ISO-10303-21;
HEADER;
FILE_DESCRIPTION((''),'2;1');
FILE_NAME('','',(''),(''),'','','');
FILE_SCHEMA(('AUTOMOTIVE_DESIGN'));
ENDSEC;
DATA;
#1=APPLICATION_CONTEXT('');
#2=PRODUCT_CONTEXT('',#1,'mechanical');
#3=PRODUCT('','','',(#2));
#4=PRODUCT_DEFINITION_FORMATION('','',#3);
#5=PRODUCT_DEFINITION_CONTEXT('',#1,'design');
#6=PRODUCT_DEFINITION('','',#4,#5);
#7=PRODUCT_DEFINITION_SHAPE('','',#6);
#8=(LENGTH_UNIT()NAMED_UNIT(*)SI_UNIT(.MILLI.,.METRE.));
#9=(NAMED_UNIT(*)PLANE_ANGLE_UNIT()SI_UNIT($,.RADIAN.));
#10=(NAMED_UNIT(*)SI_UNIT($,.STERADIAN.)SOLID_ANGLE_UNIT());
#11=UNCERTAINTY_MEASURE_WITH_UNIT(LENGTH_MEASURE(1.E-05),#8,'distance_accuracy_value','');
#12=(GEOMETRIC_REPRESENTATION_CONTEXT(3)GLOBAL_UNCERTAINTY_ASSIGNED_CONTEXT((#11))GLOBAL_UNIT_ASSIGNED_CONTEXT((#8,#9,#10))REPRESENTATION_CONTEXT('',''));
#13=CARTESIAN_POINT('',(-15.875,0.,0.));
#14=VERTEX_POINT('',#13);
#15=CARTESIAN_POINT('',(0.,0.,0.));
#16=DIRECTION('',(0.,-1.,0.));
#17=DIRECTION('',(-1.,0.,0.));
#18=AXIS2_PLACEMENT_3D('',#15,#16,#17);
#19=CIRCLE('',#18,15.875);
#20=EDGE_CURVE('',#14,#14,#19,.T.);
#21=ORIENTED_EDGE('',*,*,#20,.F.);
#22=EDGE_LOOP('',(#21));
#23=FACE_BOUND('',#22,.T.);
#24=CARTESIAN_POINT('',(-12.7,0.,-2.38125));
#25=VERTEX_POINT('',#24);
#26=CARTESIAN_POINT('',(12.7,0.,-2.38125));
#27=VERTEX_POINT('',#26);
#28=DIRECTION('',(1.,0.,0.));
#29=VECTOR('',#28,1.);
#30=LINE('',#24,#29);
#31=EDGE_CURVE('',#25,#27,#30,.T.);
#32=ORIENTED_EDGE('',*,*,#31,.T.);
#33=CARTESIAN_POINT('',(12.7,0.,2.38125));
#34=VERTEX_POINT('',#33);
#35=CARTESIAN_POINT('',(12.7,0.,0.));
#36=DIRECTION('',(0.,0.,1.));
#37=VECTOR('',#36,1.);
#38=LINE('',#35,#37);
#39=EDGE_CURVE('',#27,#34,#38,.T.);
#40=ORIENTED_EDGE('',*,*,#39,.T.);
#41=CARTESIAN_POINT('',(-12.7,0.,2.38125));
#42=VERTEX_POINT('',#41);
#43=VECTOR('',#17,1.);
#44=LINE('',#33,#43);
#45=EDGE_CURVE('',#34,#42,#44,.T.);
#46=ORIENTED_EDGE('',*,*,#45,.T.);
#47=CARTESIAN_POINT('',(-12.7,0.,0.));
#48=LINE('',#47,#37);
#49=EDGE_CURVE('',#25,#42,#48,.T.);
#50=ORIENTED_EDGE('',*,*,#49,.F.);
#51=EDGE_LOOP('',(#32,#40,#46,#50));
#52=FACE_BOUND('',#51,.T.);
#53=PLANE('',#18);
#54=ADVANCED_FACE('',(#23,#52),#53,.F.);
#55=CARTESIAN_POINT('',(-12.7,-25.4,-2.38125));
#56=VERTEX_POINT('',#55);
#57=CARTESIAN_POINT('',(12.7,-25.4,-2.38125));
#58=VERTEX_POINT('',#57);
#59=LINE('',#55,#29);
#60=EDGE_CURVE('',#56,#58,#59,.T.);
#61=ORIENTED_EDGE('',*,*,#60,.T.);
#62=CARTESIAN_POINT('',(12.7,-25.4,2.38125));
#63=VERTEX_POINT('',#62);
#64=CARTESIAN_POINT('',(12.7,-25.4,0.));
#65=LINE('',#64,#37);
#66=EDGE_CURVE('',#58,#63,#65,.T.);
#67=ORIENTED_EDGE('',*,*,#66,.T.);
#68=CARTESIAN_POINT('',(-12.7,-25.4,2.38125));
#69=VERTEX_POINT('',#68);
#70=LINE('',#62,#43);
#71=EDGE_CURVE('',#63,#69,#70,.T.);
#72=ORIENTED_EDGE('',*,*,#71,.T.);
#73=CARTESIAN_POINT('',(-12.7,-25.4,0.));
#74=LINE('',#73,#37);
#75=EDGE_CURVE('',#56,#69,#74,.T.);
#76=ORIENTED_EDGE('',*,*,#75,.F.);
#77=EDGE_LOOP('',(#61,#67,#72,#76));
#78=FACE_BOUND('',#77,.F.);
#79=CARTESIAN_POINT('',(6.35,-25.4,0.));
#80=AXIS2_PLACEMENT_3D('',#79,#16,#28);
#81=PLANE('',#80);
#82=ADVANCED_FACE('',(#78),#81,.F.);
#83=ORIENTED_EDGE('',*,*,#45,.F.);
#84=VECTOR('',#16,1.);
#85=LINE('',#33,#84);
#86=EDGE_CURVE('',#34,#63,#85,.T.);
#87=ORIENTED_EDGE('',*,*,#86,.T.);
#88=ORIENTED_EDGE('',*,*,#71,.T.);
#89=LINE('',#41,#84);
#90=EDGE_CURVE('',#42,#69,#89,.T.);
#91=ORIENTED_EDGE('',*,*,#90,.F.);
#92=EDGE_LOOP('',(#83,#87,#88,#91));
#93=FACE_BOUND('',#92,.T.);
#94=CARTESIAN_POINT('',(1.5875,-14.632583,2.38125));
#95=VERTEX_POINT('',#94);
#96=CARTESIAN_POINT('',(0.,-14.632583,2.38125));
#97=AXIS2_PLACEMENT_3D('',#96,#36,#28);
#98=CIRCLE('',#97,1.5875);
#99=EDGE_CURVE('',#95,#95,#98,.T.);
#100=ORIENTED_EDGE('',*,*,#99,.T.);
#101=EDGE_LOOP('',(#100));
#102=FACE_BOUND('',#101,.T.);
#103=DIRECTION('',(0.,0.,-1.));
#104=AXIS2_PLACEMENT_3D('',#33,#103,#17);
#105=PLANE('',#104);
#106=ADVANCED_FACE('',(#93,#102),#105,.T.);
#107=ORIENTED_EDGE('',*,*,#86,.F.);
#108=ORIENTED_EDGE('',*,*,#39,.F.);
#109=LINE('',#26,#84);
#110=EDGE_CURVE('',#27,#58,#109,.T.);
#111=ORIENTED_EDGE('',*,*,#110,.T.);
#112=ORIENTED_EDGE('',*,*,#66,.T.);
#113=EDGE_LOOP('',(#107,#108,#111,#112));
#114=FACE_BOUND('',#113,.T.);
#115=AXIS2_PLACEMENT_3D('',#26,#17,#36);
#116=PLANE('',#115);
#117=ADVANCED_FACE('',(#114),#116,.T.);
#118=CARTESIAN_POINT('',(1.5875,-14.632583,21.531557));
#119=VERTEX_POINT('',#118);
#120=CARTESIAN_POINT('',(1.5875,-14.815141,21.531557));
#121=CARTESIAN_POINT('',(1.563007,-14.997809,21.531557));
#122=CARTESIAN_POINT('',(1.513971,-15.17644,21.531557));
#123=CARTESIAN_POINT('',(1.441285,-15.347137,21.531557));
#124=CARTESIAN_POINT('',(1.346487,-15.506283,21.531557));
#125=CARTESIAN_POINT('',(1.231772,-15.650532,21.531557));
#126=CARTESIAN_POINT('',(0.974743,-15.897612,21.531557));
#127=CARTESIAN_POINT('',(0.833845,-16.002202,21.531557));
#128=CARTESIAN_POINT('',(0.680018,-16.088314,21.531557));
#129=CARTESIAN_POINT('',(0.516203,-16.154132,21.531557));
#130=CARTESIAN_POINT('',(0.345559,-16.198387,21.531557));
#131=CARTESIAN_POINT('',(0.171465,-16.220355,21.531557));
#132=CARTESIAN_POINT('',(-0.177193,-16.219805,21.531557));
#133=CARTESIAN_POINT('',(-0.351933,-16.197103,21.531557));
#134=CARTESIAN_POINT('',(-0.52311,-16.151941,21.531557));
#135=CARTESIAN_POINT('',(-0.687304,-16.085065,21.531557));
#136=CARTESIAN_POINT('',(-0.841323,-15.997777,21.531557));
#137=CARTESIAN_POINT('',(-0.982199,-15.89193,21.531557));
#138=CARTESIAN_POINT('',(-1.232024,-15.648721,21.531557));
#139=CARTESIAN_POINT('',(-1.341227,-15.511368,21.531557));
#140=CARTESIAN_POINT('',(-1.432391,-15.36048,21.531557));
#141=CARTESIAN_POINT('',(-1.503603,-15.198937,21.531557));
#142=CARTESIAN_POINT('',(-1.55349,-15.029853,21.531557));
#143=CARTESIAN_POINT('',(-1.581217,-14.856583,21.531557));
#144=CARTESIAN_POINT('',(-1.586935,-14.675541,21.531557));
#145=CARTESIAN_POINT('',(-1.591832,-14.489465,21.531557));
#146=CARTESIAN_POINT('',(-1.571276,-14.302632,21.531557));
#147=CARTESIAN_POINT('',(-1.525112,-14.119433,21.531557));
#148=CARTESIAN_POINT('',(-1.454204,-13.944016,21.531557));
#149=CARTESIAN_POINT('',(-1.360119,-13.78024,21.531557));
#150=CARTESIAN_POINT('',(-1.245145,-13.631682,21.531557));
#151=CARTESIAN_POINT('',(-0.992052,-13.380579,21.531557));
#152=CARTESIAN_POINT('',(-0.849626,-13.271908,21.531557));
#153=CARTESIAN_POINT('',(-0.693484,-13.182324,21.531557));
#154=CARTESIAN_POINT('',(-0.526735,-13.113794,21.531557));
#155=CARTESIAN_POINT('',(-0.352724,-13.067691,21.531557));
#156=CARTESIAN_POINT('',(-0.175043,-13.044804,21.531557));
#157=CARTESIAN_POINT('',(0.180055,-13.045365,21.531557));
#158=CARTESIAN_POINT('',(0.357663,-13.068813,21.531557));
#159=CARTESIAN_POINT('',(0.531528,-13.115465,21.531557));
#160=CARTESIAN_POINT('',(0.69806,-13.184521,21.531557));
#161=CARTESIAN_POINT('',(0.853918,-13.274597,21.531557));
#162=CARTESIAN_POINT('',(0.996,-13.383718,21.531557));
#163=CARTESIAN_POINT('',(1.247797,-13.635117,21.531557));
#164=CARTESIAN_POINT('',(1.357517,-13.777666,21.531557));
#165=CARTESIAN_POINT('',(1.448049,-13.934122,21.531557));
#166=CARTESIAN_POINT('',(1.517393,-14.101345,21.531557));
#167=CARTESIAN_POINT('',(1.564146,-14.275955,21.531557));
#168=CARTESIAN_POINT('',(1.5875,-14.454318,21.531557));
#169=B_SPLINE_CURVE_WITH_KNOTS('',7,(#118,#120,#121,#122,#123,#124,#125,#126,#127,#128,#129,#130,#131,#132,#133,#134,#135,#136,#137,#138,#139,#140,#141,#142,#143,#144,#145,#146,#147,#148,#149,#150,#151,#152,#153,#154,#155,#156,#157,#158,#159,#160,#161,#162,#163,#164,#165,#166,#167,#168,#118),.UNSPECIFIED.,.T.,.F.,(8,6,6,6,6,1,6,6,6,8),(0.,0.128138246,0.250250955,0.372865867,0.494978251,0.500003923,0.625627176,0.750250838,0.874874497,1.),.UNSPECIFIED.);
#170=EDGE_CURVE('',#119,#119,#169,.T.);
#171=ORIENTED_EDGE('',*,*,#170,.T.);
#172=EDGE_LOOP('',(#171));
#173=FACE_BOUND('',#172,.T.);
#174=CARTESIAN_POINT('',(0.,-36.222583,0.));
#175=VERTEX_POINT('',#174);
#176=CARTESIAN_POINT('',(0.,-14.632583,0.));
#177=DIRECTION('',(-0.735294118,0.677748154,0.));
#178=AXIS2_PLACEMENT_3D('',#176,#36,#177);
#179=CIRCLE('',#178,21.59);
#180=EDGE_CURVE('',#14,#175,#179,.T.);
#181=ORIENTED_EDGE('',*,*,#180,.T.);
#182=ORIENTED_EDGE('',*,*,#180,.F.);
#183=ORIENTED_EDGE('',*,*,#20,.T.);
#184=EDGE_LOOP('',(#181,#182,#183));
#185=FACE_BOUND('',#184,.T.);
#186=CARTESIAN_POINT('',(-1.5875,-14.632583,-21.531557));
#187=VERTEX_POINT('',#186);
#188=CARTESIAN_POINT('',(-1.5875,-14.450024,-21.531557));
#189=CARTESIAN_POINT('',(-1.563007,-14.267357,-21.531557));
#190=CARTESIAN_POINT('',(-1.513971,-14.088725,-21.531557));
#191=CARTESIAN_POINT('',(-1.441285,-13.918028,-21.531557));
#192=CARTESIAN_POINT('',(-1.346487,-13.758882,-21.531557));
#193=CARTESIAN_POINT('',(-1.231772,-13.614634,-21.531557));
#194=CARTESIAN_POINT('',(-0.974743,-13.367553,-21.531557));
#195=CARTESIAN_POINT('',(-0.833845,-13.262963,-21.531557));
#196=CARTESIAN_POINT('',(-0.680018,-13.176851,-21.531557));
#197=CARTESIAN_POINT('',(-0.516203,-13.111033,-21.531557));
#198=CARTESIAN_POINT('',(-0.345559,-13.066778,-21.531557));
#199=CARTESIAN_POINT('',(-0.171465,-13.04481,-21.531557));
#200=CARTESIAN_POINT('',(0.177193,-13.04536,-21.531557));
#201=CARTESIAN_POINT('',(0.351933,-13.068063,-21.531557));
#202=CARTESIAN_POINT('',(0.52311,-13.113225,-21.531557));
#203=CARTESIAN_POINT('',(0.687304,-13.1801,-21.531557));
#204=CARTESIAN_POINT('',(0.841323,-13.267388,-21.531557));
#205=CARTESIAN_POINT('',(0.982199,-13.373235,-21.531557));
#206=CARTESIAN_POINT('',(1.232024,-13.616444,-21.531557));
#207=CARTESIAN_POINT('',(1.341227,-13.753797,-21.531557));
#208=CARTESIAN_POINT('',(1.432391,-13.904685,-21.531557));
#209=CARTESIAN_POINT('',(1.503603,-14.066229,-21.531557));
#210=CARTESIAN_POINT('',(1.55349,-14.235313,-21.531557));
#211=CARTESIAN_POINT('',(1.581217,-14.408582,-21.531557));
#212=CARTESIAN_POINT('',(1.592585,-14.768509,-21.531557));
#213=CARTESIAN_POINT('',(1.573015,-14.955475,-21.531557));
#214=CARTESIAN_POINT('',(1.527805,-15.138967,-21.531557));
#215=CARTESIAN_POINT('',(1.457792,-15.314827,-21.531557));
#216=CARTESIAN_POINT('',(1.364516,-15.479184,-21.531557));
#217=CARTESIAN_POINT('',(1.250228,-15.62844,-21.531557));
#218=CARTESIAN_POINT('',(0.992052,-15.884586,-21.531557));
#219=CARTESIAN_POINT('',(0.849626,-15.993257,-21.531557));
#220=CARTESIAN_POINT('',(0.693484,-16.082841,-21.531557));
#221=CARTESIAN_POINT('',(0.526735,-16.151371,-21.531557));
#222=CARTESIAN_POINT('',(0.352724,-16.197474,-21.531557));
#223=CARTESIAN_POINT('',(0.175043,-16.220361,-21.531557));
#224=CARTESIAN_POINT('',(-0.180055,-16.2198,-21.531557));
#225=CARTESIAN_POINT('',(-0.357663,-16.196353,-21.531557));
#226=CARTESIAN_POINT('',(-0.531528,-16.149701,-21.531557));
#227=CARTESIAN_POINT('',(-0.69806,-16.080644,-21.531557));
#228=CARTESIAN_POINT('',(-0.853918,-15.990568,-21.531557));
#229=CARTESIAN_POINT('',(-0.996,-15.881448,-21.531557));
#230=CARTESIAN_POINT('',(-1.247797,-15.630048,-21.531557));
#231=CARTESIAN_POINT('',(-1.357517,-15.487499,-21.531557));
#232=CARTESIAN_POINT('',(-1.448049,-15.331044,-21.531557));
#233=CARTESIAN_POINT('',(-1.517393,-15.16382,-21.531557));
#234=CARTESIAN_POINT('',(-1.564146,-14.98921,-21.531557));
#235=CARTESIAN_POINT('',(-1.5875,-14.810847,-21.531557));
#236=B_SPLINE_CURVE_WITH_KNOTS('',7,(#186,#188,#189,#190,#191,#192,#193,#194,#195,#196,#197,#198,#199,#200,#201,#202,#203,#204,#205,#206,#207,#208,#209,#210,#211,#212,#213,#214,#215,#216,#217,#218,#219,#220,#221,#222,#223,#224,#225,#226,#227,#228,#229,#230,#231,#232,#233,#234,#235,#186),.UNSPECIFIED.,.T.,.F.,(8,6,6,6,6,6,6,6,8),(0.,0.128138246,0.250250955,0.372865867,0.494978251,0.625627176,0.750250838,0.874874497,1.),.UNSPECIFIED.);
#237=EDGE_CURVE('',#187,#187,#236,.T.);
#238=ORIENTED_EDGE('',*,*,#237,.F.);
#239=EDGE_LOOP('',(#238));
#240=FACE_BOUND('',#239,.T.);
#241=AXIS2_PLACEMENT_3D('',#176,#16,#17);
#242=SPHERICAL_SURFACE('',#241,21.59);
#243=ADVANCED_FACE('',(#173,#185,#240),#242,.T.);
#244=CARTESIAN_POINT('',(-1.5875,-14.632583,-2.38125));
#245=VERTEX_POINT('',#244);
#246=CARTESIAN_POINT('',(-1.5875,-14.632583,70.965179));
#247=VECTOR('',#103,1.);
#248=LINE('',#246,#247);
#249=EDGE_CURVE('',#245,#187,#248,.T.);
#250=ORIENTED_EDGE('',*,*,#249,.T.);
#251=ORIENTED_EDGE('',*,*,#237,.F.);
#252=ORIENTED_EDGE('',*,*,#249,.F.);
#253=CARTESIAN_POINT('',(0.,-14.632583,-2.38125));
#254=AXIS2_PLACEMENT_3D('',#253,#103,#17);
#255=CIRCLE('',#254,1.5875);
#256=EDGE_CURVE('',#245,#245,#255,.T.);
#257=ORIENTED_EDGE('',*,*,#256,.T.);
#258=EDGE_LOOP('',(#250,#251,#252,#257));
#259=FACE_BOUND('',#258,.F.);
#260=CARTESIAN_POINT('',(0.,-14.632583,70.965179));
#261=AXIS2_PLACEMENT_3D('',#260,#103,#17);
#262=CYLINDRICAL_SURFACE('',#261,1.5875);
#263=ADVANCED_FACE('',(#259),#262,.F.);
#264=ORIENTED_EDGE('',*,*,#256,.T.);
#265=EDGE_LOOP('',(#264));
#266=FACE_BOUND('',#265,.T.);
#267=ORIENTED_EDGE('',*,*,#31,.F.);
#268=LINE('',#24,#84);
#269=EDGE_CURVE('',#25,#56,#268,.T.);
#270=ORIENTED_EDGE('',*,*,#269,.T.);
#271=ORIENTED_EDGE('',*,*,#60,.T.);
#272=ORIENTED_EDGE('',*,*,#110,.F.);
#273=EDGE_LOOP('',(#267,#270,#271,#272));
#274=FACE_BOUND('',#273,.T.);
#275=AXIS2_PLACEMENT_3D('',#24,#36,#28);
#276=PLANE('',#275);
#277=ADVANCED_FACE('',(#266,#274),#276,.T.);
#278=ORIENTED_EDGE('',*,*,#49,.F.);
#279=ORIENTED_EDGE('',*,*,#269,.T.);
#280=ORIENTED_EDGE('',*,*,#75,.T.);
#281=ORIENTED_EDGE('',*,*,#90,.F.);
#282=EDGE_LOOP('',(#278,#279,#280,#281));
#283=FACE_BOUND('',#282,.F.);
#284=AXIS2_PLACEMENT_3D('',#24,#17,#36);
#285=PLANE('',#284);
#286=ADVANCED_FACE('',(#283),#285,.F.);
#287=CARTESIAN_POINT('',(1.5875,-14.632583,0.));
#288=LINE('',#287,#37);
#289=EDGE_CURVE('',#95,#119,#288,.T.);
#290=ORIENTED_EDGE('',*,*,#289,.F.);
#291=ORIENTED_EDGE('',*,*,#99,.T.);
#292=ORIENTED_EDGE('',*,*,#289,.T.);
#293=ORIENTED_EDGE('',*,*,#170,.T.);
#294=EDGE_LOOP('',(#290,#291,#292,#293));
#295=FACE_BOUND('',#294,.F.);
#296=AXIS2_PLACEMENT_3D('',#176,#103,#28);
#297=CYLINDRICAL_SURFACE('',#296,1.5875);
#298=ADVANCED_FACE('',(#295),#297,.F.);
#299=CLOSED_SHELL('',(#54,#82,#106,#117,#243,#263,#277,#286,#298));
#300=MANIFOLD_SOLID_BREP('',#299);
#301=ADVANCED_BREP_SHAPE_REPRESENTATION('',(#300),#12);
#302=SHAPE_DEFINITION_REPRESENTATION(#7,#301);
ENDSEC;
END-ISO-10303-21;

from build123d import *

# Parameters (mm, degrees)
F0_W     = 12.7
F0_H     = 4.7625
F1_DEPTH = 25.4
F2_D     = 3.175
F2_DEPTH = 21.591
F5_D     = 3.175


with BuildPart() as f4:
    # F3 (on Top) → F4 (revolve)
    with BuildSketch(Plane.XY):
        with BuildLine():
            Line((0, -36.2225826497), (0, 0))
            Line((0, 0), (-15.875, 0))
            ThreePointArc((-15.875, 0), (-19.7742959345, -23.2989152245), (0, -36.2225826497))
        make_face()
    revolve(axis=Axis((0, -18.1112913248, 0), (0, -1, 0)))

    # F0 (on Front) → F1 (cut)
    with BuildSketch(Plane.XZ):
        with Locations((6.35, 0)):
            Rectangle(F0_W, F0_H)
        with Locations((-6.35, 0)):
            Rectangle(F0_W, F0_H)
    extrude(amount=F1_DEPTH, mode=Mode.SUBTRACT)

    # F2 (through all, one way)
    with BuildSketch(Plane(origin=(0, 0, 0), x_dir=(1, 0, 0), z_dir=(0, 0, -1))):
        with Locations((0, 14.6325826497)):
            Circle(F2_D / 2)
    extrude(amount=-F2_DEPTH, mode=Mode.SUBTRACT)

    # F5 (through all)
    with Locations(Plane.XY):
        with Locations((0, -14.6325826497)):
            Hole(F5_D / 2)


solid = f4.part
